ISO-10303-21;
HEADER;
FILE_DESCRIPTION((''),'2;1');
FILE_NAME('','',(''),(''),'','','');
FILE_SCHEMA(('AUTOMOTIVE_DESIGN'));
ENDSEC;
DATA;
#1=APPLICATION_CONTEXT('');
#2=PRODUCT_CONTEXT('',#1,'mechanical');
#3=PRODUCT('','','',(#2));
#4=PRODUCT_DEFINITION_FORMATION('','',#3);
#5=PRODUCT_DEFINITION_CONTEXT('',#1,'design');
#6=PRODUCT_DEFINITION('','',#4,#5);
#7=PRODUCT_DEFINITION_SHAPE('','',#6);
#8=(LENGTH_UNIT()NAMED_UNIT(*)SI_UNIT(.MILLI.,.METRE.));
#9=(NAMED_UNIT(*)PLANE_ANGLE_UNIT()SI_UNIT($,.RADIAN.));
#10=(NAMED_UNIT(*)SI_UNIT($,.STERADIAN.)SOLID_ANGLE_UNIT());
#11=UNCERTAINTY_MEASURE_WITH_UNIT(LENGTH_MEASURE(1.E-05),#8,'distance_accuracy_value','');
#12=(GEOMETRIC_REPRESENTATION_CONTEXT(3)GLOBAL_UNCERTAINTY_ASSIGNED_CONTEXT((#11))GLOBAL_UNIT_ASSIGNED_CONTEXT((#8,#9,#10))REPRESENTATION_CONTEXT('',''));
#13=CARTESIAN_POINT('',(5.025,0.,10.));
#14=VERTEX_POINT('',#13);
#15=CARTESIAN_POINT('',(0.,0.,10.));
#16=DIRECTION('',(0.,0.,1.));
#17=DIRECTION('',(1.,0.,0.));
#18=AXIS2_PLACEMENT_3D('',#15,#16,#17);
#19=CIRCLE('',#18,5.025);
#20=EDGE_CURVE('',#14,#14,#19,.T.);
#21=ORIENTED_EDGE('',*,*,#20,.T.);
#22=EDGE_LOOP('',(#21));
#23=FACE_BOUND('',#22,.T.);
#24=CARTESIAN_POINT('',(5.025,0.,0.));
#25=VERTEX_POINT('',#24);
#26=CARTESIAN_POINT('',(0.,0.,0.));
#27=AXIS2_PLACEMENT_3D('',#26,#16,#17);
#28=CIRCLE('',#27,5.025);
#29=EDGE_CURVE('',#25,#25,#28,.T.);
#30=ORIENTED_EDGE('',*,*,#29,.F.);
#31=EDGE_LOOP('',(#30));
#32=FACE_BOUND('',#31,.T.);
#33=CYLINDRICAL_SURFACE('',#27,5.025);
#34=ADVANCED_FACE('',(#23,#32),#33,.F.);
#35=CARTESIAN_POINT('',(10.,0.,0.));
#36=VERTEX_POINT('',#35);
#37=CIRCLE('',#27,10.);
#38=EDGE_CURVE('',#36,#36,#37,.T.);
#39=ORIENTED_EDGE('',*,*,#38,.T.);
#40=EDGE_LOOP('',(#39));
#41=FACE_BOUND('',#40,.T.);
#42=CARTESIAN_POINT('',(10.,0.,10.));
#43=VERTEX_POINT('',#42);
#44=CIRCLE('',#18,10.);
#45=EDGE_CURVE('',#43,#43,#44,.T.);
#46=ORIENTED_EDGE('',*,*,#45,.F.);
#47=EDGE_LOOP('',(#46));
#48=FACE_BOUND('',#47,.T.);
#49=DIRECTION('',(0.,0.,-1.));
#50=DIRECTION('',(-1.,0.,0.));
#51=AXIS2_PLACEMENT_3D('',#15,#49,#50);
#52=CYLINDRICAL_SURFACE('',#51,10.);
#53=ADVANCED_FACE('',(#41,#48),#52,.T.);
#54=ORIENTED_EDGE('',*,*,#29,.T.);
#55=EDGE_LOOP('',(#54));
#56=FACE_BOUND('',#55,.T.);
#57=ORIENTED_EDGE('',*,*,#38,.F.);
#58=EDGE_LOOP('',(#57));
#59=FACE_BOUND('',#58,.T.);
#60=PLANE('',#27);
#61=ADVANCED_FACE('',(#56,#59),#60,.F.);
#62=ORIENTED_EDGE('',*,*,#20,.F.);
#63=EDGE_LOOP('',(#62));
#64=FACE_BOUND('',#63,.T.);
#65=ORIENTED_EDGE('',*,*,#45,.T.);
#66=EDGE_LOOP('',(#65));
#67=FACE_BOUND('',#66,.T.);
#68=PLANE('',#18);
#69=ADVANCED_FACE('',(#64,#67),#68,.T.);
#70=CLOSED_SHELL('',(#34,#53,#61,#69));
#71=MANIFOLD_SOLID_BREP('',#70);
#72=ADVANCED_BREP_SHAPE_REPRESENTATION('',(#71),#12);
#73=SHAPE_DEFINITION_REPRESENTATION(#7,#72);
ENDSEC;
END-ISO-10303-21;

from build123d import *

# Parameters (mm, degrees)
SKETCH1_R           = 10
BOSS_EXTRUDE1_DEPTH = 10
SKETCH2_R           = 5.025
CUT_EXTRUDE1_DEPTH  = 10


with BuildPart() as part:
    # Sketch1 → Boss-Extrude1 (new body)
    with BuildSketch(Plane.XY):
        Circle(SKETCH1_R)
    extrude(amount=BOSS_EXTRUDE1_DEPTH)

    # Sketch2 → Cut-Extrude1 (cut)
    with BuildSketch(Plane.XY.offset(10)):
        Circle(SKETCH2_R)
    extrude(amount=-CUT_EXTRUDE1_DEPTH, mode=Mode.SUBTRACT)


solid = part.part
